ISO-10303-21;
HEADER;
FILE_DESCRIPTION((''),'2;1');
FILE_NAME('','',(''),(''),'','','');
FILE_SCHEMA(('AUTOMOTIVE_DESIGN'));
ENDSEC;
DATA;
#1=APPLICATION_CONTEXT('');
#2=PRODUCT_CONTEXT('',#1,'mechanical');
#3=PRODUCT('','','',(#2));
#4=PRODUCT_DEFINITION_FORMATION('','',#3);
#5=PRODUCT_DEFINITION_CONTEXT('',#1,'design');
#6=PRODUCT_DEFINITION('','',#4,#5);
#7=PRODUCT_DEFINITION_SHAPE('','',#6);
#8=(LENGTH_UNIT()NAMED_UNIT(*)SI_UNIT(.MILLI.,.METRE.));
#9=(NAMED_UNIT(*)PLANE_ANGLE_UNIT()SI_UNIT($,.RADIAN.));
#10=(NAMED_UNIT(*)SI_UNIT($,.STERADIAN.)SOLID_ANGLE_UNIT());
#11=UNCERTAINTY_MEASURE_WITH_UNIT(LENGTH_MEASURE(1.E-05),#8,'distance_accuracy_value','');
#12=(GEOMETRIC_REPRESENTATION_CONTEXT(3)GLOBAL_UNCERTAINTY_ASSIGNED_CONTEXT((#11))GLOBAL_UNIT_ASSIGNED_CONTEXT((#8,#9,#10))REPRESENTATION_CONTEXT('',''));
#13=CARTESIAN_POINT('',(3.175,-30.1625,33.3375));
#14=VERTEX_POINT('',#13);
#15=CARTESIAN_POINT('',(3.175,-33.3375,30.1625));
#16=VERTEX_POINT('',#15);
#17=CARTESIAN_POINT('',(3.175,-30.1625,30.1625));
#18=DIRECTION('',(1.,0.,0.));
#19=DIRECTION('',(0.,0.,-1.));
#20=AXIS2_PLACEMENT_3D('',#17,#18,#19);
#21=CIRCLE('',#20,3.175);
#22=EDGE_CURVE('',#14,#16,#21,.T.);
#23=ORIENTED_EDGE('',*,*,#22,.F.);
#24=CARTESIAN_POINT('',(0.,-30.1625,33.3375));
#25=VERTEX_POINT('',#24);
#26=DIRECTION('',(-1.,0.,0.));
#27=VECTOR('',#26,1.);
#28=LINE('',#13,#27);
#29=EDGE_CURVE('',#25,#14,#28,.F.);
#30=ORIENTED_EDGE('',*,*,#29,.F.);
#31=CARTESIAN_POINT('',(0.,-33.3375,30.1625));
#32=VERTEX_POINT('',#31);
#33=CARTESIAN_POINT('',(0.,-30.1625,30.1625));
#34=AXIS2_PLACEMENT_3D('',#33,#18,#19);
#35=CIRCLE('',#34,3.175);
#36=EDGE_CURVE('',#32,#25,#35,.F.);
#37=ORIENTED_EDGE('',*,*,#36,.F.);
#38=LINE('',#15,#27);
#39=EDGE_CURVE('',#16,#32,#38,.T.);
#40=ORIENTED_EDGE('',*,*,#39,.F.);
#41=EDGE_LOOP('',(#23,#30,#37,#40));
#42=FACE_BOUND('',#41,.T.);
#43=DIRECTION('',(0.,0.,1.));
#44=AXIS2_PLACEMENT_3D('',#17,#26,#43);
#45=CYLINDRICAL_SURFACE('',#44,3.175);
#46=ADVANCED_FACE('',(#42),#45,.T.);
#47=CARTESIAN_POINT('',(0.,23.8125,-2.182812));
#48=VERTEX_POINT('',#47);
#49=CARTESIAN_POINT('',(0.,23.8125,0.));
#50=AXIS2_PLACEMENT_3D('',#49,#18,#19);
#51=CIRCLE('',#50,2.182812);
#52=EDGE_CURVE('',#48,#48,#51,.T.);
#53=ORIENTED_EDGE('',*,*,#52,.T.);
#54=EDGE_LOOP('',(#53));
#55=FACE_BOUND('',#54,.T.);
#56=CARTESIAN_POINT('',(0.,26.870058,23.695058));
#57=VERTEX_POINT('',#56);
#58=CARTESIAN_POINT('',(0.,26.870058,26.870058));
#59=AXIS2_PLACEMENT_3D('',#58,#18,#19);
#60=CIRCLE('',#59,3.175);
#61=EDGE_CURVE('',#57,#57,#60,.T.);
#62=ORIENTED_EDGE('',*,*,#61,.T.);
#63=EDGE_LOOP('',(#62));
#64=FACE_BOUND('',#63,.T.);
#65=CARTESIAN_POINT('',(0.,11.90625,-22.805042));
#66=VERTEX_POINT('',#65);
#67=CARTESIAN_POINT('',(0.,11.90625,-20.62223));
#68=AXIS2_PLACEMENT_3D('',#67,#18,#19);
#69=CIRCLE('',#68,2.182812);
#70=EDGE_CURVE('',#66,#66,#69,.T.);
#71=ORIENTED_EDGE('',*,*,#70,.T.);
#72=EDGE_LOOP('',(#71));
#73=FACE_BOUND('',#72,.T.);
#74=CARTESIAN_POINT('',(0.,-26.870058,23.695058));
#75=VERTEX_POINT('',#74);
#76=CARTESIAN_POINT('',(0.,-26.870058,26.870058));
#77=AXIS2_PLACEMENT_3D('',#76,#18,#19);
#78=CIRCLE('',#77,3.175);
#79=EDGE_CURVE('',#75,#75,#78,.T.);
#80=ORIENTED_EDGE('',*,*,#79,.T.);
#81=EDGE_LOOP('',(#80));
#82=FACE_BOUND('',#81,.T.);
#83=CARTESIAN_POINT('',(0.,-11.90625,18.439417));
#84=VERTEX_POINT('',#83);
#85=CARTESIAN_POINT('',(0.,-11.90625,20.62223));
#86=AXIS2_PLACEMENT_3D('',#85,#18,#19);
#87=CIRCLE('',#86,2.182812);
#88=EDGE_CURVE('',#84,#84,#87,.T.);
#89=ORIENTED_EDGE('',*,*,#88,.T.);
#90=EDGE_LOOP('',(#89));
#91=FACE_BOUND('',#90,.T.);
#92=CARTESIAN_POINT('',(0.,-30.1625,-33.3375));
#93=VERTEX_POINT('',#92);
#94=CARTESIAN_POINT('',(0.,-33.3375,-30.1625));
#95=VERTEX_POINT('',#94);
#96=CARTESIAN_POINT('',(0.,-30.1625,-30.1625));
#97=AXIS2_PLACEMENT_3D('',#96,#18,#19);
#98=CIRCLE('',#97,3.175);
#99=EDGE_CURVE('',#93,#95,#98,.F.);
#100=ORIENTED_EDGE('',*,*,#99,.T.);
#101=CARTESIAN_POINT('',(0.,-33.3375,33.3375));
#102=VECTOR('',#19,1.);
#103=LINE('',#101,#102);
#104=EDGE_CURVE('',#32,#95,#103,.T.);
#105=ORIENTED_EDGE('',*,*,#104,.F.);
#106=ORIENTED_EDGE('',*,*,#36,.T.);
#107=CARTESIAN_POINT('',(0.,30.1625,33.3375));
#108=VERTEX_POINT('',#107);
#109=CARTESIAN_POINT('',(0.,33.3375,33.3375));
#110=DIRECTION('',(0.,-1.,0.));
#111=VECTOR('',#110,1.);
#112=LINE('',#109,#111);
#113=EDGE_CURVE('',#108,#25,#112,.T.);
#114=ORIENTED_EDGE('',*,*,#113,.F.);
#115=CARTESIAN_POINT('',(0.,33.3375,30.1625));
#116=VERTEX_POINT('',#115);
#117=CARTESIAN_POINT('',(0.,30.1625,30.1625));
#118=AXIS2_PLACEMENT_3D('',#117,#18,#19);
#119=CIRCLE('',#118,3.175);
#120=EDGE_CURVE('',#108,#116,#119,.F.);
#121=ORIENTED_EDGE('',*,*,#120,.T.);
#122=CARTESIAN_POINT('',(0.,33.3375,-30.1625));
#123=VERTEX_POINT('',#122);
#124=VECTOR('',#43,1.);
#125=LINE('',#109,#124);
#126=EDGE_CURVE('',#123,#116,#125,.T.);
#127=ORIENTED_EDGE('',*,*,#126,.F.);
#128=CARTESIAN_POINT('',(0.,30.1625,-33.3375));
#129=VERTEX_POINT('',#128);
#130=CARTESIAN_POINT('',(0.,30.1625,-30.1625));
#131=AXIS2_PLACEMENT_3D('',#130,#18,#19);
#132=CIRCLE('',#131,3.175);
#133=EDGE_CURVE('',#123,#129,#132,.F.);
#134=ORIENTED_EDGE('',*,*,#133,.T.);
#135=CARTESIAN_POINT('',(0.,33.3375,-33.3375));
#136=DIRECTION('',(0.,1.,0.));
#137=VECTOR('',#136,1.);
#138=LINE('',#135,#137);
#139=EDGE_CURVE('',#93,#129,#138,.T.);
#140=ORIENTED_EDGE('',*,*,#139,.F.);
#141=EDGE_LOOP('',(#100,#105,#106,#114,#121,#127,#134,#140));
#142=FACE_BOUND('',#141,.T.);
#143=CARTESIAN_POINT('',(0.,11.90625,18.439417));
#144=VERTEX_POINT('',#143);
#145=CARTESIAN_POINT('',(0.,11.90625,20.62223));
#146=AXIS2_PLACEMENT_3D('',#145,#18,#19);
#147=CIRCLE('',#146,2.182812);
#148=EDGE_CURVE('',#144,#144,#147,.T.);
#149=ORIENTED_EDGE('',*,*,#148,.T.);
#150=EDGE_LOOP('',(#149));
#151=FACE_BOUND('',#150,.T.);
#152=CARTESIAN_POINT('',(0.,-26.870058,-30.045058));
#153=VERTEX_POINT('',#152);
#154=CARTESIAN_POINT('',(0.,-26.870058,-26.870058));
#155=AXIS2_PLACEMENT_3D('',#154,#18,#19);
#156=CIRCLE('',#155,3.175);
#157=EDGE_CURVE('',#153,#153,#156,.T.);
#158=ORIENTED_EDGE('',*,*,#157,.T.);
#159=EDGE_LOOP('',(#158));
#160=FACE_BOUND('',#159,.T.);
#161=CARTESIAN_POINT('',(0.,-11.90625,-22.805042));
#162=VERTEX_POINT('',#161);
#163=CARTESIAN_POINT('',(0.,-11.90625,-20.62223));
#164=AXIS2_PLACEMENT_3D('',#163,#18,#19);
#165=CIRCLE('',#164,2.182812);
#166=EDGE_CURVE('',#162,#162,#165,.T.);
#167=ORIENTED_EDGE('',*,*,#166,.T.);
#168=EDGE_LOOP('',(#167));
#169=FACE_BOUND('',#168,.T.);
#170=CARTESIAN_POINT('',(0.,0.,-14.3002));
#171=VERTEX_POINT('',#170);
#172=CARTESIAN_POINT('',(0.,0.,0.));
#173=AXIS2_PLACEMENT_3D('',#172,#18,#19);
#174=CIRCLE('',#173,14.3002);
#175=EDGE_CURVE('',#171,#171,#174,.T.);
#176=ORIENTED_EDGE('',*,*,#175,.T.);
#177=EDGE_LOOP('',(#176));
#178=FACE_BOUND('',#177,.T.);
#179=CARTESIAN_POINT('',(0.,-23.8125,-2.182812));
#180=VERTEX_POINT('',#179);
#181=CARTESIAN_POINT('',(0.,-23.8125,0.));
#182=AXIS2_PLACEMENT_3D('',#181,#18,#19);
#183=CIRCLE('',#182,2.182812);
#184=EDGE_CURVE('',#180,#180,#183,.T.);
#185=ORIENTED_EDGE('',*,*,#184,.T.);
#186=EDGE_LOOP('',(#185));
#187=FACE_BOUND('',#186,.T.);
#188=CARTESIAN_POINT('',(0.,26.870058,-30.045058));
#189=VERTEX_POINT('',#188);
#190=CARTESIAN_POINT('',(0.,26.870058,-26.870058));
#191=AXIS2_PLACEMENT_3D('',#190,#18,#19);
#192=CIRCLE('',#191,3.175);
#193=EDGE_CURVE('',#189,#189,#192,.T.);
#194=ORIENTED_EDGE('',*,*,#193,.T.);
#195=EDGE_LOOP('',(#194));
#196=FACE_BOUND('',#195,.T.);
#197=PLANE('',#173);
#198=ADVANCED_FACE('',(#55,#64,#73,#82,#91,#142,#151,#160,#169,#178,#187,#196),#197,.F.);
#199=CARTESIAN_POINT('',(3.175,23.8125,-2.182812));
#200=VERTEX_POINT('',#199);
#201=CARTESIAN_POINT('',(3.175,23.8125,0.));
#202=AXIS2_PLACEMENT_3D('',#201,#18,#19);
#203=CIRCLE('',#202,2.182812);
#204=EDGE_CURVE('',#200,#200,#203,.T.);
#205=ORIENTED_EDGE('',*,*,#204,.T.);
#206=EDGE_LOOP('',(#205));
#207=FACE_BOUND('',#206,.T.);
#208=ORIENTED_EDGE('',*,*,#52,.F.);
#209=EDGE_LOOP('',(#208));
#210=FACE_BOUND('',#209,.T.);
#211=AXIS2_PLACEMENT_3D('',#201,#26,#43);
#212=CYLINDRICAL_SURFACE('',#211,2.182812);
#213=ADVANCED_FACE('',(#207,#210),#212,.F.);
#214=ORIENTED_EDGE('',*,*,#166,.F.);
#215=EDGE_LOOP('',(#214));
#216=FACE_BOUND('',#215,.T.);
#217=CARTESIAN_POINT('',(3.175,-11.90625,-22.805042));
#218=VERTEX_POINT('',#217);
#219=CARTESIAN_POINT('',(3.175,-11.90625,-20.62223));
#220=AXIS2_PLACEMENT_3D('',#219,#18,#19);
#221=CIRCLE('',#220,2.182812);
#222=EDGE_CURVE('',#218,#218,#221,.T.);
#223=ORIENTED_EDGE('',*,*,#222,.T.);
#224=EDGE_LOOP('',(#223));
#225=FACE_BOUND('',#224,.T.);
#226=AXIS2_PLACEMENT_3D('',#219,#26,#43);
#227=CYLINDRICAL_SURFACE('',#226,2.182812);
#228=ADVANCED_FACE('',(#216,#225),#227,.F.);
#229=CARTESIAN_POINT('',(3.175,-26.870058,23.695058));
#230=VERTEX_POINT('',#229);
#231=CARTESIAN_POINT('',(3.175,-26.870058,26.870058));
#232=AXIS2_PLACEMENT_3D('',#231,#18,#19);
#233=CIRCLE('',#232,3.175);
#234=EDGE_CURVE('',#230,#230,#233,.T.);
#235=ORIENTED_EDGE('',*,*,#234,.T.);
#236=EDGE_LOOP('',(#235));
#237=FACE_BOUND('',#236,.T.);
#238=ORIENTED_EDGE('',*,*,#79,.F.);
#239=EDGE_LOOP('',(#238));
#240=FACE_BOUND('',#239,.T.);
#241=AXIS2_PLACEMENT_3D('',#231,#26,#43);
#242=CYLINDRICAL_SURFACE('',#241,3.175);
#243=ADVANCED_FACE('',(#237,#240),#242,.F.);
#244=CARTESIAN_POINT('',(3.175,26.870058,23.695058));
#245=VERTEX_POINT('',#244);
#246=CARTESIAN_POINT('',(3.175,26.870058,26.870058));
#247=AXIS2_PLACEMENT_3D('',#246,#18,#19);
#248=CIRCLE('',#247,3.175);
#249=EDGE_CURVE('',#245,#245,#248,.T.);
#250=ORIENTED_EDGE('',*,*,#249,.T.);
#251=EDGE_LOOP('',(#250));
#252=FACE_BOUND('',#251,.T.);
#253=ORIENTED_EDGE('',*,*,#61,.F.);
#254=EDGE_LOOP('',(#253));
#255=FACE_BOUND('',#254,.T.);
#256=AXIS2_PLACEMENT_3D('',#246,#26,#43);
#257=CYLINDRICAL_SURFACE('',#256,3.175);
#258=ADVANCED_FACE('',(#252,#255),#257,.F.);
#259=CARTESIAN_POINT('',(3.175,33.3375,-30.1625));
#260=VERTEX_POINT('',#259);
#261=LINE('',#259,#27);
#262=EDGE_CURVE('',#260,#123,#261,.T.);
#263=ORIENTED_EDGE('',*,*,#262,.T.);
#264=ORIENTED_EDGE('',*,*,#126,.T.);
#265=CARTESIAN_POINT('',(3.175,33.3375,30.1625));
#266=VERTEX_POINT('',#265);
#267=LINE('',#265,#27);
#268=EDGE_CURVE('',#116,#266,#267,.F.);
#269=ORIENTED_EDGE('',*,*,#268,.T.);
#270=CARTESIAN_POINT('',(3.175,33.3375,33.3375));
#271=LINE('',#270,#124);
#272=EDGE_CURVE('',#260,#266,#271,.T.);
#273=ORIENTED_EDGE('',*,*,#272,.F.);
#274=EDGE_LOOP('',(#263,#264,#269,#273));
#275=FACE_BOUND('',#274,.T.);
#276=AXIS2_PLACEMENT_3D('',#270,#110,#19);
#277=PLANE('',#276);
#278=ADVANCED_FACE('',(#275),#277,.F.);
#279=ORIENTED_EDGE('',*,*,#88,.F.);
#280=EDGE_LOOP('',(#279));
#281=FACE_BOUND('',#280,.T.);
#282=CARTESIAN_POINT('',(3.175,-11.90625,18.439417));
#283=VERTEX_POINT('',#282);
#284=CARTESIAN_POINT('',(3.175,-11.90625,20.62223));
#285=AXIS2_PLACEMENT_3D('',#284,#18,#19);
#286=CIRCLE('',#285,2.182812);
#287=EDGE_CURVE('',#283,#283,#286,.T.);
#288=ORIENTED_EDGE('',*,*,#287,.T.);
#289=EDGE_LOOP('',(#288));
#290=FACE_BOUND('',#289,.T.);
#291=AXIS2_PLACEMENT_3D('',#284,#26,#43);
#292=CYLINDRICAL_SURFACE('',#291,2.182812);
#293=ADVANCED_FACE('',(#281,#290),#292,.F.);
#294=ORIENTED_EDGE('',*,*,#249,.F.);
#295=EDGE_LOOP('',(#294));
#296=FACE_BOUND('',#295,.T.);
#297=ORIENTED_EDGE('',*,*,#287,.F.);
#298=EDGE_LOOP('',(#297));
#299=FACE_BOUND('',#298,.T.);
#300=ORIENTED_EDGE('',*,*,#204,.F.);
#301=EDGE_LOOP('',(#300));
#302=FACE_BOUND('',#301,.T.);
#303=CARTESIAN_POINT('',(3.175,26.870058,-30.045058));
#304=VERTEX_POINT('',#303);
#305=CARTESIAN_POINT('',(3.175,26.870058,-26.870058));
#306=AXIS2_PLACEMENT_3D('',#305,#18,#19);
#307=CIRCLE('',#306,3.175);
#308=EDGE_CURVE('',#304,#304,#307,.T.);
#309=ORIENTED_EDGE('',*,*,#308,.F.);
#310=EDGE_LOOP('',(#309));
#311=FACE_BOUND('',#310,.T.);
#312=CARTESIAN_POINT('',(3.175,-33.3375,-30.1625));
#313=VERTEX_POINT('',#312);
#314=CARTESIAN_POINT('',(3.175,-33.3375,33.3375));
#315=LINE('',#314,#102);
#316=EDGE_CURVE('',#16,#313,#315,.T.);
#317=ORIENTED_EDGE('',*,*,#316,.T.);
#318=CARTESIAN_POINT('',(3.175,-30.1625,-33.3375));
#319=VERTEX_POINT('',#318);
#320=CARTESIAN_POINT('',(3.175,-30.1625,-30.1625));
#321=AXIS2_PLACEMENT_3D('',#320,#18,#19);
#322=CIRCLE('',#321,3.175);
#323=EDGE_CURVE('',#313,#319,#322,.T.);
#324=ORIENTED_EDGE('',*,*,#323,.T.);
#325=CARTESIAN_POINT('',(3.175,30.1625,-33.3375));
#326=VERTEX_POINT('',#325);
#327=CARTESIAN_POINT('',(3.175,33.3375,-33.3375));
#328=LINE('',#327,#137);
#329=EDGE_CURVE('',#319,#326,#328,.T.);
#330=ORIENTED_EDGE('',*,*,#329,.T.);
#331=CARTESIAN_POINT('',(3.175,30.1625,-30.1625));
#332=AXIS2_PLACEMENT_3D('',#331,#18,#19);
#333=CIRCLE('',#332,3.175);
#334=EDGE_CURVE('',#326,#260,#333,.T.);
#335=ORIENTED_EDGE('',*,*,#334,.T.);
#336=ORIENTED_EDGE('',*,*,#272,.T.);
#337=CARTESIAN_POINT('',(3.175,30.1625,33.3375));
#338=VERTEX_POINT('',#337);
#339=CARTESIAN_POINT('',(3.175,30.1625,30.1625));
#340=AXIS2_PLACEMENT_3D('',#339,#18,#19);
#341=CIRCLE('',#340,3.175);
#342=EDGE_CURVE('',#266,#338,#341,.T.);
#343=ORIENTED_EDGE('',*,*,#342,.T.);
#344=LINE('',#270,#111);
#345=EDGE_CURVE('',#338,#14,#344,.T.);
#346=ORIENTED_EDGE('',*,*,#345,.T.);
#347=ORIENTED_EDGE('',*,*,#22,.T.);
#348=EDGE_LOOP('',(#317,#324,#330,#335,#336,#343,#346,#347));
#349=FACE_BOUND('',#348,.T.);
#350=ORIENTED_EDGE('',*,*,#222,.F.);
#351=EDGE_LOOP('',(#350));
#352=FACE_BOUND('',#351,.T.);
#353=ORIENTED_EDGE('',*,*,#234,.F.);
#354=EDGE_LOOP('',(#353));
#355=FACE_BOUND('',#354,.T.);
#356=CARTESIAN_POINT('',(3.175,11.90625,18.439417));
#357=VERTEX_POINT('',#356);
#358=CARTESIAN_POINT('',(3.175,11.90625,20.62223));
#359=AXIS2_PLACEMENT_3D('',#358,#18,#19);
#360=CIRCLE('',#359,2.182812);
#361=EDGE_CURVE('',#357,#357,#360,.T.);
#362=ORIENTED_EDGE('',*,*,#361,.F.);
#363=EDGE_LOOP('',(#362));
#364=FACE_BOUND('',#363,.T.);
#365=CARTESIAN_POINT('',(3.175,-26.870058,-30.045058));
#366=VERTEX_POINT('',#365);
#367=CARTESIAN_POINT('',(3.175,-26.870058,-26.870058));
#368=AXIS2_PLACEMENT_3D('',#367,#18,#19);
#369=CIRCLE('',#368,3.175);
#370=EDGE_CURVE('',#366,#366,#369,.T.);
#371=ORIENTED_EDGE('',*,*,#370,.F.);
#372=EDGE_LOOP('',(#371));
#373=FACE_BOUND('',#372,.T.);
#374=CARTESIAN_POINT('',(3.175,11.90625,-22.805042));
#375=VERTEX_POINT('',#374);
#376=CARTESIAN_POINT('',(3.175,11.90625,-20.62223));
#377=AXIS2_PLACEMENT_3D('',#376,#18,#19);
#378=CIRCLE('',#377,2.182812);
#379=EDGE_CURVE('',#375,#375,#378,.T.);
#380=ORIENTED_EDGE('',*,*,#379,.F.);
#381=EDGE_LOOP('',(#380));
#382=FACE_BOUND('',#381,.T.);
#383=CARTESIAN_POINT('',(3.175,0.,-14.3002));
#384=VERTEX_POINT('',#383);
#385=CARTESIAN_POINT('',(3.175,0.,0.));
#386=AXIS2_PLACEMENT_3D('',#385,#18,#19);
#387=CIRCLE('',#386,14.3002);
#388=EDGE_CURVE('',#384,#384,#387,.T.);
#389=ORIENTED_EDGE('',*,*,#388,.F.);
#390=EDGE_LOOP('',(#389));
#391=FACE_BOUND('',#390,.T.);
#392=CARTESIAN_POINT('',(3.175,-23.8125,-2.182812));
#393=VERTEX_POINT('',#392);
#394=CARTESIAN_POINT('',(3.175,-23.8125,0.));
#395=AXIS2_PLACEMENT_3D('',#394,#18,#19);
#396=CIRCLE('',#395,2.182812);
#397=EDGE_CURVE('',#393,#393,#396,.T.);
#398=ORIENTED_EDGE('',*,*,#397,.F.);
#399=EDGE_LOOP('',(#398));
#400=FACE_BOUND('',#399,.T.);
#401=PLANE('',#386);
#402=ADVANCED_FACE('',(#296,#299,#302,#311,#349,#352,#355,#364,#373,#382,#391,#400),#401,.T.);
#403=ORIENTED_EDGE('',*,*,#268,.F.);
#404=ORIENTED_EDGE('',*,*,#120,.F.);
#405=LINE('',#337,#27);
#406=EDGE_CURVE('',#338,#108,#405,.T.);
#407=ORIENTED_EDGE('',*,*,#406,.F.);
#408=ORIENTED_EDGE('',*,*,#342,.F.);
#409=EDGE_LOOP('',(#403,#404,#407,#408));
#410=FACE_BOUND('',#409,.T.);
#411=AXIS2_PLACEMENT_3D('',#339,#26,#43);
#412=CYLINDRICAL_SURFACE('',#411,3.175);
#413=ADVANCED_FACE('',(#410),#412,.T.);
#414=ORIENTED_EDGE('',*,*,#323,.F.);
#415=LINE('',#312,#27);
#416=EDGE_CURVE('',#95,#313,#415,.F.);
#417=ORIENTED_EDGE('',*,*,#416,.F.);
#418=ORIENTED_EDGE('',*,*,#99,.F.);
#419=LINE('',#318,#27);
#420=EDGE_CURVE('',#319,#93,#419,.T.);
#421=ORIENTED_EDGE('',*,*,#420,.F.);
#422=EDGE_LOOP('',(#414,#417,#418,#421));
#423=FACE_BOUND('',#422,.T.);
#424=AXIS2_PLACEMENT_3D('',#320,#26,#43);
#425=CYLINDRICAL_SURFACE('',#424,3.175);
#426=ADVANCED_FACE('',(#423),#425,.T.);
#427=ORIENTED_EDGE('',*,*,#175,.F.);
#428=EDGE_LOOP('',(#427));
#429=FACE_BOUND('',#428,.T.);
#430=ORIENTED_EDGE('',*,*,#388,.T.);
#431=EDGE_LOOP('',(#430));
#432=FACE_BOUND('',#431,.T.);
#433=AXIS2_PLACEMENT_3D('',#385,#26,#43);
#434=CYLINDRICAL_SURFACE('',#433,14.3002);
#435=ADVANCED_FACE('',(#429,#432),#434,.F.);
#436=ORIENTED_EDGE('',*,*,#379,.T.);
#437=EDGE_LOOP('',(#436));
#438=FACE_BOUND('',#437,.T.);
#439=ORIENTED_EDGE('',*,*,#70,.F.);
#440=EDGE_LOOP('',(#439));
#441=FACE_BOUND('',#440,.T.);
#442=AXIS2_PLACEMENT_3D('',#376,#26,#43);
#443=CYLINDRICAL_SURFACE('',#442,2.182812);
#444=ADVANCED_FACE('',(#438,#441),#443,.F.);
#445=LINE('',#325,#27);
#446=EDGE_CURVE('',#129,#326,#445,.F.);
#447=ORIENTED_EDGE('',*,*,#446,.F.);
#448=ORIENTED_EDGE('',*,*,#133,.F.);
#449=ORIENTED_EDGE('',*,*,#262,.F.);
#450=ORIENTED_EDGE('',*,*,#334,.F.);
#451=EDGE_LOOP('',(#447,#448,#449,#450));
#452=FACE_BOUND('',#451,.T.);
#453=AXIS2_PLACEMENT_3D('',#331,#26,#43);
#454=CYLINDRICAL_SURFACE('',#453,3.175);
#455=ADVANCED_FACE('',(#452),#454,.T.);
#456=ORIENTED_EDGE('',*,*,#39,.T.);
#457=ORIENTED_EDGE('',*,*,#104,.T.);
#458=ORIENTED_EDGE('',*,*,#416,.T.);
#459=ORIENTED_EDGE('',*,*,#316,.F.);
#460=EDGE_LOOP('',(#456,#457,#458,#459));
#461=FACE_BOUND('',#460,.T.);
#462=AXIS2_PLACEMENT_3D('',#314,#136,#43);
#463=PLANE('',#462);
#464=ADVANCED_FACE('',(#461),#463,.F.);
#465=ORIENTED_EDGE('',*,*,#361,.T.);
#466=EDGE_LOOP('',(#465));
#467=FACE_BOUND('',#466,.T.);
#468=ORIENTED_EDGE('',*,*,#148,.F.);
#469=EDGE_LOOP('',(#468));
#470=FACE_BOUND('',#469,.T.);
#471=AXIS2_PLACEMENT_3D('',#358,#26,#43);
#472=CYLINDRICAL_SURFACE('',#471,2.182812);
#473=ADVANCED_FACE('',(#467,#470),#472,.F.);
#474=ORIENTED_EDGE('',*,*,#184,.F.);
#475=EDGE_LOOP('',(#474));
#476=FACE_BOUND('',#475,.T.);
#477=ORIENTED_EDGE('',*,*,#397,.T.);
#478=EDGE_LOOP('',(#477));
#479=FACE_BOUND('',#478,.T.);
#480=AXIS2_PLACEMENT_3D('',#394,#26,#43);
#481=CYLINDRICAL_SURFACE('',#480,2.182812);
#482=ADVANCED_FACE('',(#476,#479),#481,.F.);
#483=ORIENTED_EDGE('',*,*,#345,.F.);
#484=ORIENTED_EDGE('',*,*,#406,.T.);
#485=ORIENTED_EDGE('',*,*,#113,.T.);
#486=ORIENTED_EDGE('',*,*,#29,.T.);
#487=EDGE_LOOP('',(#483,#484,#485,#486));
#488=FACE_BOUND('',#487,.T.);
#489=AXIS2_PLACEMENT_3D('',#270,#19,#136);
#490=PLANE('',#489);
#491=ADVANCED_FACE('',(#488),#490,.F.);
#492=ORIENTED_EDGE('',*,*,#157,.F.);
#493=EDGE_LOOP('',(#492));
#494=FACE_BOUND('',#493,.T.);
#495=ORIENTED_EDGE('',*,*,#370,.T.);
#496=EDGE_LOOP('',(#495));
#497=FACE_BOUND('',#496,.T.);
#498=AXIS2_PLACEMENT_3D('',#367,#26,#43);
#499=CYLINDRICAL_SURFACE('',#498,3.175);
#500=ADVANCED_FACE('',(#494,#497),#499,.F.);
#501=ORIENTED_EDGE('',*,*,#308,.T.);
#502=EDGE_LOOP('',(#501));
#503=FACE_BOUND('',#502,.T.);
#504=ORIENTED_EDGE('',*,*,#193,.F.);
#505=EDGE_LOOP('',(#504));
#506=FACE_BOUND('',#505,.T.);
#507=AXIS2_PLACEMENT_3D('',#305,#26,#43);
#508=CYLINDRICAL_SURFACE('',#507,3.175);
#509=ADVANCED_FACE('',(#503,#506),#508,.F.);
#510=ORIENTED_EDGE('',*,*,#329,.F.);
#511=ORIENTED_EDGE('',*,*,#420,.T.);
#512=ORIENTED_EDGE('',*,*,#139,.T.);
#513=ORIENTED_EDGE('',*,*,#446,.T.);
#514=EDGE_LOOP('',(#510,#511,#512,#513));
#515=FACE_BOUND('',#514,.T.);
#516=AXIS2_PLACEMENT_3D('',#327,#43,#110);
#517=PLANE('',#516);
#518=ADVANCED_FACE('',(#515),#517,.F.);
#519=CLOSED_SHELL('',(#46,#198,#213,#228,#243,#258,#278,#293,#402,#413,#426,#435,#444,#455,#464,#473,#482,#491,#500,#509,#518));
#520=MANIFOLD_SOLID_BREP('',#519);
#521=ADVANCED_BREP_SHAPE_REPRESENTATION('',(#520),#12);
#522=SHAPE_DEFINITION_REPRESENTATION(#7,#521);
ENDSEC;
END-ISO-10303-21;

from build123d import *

# Parameters (mm, degrees)
SKETCH1_W           = 66.675
SKETCH1_H           = 66.675
SKETCH1_R           = 3.175
SKETCH1_R_2         = 14.3002
SKETCH1_R_3         = 2.1828125
BOSS_EXTRUDE1_DEPTH = 3.175
FILLET1_R           = 3.175


with BuildPart() as part:
    # Sketch1 → Boss-Extrude1 (new body)
    with BuildSketch(Plane(origin=(0, 0, 0), x_dir=(0, 0, -1), z_dir=(1, 0, 0))):
        Rectangle(SKETCH1_W, SKETCH1_H)
        with Locations((-26.870057685, 26.870057685)):
            Circle(SKETCH1_R, mode=Mode.SUBTRACT)
        with Locations((26.870057685, 26.870057685)):
            Circle(SKETCH1_R, mode=Mode.SUBTRACT)
        with Locations((26.870057685, -26.870057685)):
            Circle(SKETCH1_R, mode=Mode.SUBTRACT)
        with Locations((-26.870057685, -26.870057685)):
            Circle(SKETCH1_R, mode=Mode.SUBTRACT)
        Circle(SKETCH1_R_2, mode=Mode.SUBTRACT)
        with Locations((0, 23.8125)):
            Circle(SKETCH1_R_3, mode=Mode.SUBTRACT)
        with Locations((20.622229928, 11.90625)):
            Circle(SKETCH1_R_3, mode=Mode.SUBTRACT)
        with Locations((20.622229928, -11.90625)):
            Circle(SKETCH1_R_3, mode=Mode.SUBTRACT)
        with Locations((0, -23.8125)):
            Circle(SKETCH1_R_3, mode=Mode.SUBTRACT)
        with Locations((-20.622229928, -11.90625)):
            Circle(SKETCH1_R_3, mode=Mode.SUBTRACT)
        with Locations((-20.622229928, 11.90625)):
            Circle(SKETCH1_R_3, mode=Mode.SUBTRACT)
    extrude(amount=BOSS_EXTRUDE1_DEPTH)

    # Fillet1
    fillet1_edges = [part.edges().sort_by_distance(p)[0] for p in [
        (1.5875, -33.3375, -33.3375),
        (1.5875, -33.3375, 33.3375),
        (1.5875, 33.3375, 33.3375),
        (1.5875, 33.3375, -33.3375),
    ]]
    fillet(fillet1_edges, radius=FILLET1_R)


solid = part.part
